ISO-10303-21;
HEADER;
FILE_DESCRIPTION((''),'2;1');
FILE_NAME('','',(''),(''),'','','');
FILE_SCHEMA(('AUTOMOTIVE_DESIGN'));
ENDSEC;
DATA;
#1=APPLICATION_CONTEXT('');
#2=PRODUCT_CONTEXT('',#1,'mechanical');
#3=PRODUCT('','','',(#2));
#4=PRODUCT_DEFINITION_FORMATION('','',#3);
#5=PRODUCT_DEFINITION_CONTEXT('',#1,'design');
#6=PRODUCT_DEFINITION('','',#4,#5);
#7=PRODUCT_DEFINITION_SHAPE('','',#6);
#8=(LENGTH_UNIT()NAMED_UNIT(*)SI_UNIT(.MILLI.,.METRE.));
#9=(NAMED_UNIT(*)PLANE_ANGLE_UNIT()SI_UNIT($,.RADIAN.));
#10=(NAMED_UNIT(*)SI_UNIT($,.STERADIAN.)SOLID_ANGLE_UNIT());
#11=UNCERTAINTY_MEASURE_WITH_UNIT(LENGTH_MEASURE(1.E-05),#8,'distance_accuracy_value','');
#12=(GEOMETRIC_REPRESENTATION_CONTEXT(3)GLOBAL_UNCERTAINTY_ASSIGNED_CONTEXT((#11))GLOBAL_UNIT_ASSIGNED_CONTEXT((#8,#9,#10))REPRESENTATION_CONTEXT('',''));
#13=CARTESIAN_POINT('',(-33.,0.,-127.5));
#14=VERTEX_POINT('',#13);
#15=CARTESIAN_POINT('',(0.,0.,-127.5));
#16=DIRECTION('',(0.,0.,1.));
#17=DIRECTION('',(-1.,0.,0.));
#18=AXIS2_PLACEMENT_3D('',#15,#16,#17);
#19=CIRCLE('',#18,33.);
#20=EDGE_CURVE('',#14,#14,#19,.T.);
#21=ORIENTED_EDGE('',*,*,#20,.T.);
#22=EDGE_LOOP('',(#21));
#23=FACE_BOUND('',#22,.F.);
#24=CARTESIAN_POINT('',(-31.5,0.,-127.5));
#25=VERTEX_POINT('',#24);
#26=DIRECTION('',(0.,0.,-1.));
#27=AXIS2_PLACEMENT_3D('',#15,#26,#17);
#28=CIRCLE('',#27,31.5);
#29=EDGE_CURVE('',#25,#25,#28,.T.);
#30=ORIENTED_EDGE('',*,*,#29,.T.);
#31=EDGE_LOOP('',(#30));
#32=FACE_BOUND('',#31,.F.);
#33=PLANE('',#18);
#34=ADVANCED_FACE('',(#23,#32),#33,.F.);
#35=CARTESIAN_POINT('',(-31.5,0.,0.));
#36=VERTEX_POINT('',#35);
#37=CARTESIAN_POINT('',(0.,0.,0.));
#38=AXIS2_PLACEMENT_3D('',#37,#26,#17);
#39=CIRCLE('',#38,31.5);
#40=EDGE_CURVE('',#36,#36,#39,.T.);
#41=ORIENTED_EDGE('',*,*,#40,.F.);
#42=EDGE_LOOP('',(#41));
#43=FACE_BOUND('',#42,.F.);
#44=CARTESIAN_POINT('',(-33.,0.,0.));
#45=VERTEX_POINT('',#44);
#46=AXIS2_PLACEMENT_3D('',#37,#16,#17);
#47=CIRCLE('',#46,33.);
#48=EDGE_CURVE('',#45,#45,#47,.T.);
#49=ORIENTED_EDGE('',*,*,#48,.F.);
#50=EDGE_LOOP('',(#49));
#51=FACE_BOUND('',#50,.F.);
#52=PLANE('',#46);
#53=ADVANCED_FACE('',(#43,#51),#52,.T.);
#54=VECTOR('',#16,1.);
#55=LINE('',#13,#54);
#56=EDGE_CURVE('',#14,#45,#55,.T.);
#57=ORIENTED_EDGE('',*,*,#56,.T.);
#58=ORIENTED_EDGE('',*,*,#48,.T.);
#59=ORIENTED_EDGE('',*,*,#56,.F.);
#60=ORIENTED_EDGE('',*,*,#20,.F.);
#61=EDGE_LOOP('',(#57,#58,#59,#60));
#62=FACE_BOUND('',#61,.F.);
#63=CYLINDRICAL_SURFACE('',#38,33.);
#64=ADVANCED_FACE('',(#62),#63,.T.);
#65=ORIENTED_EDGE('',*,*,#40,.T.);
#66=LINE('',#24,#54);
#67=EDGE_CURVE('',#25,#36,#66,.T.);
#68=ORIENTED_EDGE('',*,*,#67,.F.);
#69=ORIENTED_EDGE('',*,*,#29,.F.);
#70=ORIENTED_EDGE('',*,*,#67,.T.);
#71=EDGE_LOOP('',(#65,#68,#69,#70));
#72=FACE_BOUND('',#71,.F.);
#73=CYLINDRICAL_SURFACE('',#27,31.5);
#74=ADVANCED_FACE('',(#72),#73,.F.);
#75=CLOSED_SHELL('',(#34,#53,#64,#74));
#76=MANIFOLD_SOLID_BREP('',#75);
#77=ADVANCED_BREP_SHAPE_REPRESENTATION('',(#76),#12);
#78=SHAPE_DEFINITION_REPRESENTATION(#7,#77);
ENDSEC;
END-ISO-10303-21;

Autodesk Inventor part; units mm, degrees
ref_plane "YZ Plane" through (0, 0, 0) normal (1, 0, 0) x (0, 1, 0)
ref_plane "XZ Plane" through (0, 0, 0) normal (0, 1, 0) x (-1, 0, 0)
ref_plane "XY Plane" through (0, 0, 0) normal (0, 0, 1) x (1, 0, 0)
sketch "Skizze1" plane through (0, 0, 0) normal (0, 1, 0) x (-1, 0, 0)
  line L0 (0, 0) -> (33, 0)
  line L1 (33, 0) -> (33, -3)
  line L2 (33, -127.5) -> (0, -127.5)
  line L3 (0, -127.5) -> (0, 0)
  line L4 (33, -3) -> (33, -127.5)
  dimension "d0" = 127.5
  dimension "d4" = 66
revolve "Umdrehung1" add sketch "Skizze1" angle 360 about axis through (0, 0, -127.5) along (0, 0, 1)
sketch "Skizze3" plane through (0, 0, -127.5) normal (0, 0, -1) x (-1, 0, 0)
  circle A0 centre (0, 0) radius 31.5
  point P0 (0, 0)
  dimension "d7" = 63
extrude "Extrusion1" cut sketch "Skizze3" against normal up to surface (127.5 mm away)
properties part number "cylinder" material "Glasfaserbeton"
